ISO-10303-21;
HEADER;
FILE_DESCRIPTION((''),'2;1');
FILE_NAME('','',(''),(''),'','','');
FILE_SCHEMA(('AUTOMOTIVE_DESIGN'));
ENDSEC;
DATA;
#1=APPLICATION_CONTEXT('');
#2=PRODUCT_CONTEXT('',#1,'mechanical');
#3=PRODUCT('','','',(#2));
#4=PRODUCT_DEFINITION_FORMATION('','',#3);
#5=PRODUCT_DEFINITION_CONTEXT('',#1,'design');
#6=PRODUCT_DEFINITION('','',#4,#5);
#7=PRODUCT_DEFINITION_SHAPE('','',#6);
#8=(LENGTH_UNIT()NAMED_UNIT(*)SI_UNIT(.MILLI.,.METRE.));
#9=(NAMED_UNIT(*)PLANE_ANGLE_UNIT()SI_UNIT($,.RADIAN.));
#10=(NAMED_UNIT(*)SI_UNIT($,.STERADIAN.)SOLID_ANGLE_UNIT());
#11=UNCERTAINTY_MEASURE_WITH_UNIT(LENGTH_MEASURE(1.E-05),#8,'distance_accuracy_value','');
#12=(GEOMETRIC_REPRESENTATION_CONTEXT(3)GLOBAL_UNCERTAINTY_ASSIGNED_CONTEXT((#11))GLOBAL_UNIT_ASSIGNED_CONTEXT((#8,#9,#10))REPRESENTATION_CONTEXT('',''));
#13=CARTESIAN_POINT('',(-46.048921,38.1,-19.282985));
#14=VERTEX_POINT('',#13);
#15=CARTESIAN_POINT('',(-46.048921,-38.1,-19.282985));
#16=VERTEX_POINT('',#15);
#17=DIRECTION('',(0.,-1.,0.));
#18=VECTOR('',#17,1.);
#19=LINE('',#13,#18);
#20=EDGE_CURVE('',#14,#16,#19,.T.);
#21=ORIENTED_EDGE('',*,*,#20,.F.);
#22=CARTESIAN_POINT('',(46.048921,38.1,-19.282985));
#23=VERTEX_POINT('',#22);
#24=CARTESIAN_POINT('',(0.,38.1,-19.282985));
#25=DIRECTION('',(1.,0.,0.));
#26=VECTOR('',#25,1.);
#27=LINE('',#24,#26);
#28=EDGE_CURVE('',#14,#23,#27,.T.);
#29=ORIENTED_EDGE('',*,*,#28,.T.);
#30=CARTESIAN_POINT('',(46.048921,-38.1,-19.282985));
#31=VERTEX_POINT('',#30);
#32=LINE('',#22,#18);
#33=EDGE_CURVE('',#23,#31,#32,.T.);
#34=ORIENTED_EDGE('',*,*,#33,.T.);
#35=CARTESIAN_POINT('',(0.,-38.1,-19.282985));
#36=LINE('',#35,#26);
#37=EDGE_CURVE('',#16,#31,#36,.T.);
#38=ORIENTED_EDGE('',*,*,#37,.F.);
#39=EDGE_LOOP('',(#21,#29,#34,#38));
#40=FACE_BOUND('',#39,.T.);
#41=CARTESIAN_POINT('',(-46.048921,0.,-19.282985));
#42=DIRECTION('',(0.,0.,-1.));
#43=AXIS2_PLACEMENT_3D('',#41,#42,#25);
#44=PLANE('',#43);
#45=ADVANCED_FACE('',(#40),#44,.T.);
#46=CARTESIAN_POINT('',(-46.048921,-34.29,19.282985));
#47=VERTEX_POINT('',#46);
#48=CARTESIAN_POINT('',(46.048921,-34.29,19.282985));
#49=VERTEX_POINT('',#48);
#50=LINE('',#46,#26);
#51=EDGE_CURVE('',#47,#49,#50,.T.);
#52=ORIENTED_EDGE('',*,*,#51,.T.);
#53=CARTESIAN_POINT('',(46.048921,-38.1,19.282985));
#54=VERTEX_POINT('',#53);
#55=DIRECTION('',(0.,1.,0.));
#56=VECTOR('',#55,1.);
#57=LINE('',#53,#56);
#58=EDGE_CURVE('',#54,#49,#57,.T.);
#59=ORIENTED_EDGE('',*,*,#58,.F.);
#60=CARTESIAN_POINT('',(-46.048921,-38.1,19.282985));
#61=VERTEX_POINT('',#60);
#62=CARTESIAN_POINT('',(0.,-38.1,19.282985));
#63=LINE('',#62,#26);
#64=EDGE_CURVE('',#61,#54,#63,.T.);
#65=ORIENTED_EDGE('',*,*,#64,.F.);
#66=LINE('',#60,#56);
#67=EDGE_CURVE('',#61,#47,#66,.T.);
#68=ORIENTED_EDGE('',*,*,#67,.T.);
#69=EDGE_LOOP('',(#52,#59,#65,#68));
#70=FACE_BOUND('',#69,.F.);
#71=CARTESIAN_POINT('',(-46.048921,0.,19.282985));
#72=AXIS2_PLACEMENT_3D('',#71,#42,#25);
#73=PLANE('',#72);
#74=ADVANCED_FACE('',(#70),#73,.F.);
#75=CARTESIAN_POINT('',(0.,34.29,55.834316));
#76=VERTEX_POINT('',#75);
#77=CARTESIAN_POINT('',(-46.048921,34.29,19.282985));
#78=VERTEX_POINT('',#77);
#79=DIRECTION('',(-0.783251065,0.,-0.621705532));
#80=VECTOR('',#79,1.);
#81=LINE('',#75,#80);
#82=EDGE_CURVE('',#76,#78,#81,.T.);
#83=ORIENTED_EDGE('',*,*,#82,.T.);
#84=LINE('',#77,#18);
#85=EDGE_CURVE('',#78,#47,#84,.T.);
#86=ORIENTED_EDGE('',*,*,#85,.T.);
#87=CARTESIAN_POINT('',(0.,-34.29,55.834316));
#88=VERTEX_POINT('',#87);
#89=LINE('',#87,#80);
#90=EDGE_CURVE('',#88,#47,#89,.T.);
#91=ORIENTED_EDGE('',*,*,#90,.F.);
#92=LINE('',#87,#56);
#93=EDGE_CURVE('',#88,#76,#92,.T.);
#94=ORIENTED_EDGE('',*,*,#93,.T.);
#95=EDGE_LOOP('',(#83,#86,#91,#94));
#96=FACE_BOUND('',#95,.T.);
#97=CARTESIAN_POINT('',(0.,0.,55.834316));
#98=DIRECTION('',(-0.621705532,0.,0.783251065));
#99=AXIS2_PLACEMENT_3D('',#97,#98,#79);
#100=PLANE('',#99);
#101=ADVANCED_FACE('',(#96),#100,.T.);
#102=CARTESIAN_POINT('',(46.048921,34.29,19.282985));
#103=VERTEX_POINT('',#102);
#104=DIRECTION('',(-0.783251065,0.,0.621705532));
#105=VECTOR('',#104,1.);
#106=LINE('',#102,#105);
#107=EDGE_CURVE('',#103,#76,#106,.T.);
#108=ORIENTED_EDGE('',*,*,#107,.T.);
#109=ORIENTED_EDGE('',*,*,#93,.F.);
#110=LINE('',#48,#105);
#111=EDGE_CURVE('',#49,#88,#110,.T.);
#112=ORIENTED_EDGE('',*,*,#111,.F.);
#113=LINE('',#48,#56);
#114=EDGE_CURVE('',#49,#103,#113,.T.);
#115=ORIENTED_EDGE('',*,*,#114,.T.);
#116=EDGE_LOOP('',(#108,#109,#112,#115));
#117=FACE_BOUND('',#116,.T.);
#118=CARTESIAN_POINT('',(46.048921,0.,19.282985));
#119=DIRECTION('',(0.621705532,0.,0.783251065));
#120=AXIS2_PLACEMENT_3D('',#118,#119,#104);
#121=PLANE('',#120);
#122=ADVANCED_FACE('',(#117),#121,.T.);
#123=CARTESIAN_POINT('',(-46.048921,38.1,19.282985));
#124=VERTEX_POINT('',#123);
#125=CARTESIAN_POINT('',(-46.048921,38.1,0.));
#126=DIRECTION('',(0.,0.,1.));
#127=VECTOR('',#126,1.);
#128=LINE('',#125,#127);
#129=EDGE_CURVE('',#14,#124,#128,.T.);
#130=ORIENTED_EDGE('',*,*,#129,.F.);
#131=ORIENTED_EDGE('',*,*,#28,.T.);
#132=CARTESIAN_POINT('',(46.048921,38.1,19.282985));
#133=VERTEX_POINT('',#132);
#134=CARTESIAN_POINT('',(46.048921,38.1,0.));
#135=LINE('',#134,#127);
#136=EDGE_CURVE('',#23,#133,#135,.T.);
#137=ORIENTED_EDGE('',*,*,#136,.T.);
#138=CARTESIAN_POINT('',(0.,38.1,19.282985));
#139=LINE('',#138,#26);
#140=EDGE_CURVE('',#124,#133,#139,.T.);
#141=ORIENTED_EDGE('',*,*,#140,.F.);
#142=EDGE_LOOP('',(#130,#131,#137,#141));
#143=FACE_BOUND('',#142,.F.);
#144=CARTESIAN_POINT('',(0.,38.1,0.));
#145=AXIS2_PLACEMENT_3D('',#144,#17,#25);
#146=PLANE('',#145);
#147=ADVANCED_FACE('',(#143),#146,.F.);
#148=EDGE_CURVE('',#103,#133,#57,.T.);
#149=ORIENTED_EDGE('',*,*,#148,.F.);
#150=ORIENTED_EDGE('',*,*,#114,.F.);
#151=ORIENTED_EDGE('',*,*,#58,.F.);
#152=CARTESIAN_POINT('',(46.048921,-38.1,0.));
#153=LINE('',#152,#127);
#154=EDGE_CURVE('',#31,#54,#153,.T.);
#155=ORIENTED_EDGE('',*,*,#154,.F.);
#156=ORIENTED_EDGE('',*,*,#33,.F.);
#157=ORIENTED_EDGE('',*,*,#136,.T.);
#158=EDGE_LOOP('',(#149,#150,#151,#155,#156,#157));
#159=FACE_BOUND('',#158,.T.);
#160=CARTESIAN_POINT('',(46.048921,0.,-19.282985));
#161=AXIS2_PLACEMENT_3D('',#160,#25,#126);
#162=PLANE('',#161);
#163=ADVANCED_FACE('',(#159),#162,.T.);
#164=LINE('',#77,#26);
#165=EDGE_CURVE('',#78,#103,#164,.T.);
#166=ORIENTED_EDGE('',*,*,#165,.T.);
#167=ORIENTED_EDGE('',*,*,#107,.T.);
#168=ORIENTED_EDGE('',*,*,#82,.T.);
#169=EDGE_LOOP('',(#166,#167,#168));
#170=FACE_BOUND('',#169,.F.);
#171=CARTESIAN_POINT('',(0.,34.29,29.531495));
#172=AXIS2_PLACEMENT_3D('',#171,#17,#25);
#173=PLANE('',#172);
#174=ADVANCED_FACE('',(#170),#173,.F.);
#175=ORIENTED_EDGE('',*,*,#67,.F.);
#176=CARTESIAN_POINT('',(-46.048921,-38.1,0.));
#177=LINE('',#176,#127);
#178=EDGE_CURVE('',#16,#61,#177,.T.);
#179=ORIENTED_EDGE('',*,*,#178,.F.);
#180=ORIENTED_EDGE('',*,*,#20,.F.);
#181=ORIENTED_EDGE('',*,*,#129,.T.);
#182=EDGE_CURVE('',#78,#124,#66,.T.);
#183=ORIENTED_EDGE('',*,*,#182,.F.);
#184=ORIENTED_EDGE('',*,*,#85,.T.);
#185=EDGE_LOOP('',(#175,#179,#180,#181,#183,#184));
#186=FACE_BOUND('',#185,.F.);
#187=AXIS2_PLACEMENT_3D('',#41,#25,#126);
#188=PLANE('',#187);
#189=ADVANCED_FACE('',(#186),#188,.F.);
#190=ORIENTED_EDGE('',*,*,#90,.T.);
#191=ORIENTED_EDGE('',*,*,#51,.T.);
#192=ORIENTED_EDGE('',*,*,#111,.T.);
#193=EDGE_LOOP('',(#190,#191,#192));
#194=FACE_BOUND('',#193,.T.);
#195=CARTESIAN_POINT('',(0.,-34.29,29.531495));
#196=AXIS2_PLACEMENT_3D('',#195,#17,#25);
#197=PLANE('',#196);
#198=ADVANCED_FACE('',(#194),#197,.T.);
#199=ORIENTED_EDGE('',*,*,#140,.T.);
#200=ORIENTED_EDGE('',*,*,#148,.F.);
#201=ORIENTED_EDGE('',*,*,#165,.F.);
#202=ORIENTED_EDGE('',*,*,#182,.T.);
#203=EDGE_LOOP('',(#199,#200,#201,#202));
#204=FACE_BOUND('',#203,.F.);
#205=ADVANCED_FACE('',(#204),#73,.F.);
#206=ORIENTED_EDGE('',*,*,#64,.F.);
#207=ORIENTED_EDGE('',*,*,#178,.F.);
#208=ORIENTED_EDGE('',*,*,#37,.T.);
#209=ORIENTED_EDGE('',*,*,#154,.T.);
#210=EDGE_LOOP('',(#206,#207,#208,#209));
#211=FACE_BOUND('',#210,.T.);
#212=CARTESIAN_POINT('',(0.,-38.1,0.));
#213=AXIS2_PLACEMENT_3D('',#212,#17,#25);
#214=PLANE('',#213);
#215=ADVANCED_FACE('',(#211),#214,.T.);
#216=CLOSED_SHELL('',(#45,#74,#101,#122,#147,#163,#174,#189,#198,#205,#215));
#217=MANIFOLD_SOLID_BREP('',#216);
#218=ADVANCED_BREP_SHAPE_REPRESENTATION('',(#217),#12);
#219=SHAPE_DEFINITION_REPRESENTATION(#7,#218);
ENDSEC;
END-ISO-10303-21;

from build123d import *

# Parameters (mm, degrees)
F1_DEPTH = 34.29
F0_W     = 92.097842
F0_H     = 38.56597
F2_DEPTH = 38.1


with BuildPart() as f1:
    # F0 (on Front) → F1 (new body, symmetric)
    with BuildSketch(Plane.XZ):
        Polygon((0, 55.834316), (-46.048921, 19.282985), (46.048921, 19.282985), align=None)
    extrude(amount=F1_DEPTH, both=True)

    # F0 (on Front) → F2 (join, symmetric)
    with BuildSketch(Plane.XZ):
        Rectangle(F0_W, F0_H)
    extrude(amount=F2_DEPTH, both=True)


solid = f1.part
